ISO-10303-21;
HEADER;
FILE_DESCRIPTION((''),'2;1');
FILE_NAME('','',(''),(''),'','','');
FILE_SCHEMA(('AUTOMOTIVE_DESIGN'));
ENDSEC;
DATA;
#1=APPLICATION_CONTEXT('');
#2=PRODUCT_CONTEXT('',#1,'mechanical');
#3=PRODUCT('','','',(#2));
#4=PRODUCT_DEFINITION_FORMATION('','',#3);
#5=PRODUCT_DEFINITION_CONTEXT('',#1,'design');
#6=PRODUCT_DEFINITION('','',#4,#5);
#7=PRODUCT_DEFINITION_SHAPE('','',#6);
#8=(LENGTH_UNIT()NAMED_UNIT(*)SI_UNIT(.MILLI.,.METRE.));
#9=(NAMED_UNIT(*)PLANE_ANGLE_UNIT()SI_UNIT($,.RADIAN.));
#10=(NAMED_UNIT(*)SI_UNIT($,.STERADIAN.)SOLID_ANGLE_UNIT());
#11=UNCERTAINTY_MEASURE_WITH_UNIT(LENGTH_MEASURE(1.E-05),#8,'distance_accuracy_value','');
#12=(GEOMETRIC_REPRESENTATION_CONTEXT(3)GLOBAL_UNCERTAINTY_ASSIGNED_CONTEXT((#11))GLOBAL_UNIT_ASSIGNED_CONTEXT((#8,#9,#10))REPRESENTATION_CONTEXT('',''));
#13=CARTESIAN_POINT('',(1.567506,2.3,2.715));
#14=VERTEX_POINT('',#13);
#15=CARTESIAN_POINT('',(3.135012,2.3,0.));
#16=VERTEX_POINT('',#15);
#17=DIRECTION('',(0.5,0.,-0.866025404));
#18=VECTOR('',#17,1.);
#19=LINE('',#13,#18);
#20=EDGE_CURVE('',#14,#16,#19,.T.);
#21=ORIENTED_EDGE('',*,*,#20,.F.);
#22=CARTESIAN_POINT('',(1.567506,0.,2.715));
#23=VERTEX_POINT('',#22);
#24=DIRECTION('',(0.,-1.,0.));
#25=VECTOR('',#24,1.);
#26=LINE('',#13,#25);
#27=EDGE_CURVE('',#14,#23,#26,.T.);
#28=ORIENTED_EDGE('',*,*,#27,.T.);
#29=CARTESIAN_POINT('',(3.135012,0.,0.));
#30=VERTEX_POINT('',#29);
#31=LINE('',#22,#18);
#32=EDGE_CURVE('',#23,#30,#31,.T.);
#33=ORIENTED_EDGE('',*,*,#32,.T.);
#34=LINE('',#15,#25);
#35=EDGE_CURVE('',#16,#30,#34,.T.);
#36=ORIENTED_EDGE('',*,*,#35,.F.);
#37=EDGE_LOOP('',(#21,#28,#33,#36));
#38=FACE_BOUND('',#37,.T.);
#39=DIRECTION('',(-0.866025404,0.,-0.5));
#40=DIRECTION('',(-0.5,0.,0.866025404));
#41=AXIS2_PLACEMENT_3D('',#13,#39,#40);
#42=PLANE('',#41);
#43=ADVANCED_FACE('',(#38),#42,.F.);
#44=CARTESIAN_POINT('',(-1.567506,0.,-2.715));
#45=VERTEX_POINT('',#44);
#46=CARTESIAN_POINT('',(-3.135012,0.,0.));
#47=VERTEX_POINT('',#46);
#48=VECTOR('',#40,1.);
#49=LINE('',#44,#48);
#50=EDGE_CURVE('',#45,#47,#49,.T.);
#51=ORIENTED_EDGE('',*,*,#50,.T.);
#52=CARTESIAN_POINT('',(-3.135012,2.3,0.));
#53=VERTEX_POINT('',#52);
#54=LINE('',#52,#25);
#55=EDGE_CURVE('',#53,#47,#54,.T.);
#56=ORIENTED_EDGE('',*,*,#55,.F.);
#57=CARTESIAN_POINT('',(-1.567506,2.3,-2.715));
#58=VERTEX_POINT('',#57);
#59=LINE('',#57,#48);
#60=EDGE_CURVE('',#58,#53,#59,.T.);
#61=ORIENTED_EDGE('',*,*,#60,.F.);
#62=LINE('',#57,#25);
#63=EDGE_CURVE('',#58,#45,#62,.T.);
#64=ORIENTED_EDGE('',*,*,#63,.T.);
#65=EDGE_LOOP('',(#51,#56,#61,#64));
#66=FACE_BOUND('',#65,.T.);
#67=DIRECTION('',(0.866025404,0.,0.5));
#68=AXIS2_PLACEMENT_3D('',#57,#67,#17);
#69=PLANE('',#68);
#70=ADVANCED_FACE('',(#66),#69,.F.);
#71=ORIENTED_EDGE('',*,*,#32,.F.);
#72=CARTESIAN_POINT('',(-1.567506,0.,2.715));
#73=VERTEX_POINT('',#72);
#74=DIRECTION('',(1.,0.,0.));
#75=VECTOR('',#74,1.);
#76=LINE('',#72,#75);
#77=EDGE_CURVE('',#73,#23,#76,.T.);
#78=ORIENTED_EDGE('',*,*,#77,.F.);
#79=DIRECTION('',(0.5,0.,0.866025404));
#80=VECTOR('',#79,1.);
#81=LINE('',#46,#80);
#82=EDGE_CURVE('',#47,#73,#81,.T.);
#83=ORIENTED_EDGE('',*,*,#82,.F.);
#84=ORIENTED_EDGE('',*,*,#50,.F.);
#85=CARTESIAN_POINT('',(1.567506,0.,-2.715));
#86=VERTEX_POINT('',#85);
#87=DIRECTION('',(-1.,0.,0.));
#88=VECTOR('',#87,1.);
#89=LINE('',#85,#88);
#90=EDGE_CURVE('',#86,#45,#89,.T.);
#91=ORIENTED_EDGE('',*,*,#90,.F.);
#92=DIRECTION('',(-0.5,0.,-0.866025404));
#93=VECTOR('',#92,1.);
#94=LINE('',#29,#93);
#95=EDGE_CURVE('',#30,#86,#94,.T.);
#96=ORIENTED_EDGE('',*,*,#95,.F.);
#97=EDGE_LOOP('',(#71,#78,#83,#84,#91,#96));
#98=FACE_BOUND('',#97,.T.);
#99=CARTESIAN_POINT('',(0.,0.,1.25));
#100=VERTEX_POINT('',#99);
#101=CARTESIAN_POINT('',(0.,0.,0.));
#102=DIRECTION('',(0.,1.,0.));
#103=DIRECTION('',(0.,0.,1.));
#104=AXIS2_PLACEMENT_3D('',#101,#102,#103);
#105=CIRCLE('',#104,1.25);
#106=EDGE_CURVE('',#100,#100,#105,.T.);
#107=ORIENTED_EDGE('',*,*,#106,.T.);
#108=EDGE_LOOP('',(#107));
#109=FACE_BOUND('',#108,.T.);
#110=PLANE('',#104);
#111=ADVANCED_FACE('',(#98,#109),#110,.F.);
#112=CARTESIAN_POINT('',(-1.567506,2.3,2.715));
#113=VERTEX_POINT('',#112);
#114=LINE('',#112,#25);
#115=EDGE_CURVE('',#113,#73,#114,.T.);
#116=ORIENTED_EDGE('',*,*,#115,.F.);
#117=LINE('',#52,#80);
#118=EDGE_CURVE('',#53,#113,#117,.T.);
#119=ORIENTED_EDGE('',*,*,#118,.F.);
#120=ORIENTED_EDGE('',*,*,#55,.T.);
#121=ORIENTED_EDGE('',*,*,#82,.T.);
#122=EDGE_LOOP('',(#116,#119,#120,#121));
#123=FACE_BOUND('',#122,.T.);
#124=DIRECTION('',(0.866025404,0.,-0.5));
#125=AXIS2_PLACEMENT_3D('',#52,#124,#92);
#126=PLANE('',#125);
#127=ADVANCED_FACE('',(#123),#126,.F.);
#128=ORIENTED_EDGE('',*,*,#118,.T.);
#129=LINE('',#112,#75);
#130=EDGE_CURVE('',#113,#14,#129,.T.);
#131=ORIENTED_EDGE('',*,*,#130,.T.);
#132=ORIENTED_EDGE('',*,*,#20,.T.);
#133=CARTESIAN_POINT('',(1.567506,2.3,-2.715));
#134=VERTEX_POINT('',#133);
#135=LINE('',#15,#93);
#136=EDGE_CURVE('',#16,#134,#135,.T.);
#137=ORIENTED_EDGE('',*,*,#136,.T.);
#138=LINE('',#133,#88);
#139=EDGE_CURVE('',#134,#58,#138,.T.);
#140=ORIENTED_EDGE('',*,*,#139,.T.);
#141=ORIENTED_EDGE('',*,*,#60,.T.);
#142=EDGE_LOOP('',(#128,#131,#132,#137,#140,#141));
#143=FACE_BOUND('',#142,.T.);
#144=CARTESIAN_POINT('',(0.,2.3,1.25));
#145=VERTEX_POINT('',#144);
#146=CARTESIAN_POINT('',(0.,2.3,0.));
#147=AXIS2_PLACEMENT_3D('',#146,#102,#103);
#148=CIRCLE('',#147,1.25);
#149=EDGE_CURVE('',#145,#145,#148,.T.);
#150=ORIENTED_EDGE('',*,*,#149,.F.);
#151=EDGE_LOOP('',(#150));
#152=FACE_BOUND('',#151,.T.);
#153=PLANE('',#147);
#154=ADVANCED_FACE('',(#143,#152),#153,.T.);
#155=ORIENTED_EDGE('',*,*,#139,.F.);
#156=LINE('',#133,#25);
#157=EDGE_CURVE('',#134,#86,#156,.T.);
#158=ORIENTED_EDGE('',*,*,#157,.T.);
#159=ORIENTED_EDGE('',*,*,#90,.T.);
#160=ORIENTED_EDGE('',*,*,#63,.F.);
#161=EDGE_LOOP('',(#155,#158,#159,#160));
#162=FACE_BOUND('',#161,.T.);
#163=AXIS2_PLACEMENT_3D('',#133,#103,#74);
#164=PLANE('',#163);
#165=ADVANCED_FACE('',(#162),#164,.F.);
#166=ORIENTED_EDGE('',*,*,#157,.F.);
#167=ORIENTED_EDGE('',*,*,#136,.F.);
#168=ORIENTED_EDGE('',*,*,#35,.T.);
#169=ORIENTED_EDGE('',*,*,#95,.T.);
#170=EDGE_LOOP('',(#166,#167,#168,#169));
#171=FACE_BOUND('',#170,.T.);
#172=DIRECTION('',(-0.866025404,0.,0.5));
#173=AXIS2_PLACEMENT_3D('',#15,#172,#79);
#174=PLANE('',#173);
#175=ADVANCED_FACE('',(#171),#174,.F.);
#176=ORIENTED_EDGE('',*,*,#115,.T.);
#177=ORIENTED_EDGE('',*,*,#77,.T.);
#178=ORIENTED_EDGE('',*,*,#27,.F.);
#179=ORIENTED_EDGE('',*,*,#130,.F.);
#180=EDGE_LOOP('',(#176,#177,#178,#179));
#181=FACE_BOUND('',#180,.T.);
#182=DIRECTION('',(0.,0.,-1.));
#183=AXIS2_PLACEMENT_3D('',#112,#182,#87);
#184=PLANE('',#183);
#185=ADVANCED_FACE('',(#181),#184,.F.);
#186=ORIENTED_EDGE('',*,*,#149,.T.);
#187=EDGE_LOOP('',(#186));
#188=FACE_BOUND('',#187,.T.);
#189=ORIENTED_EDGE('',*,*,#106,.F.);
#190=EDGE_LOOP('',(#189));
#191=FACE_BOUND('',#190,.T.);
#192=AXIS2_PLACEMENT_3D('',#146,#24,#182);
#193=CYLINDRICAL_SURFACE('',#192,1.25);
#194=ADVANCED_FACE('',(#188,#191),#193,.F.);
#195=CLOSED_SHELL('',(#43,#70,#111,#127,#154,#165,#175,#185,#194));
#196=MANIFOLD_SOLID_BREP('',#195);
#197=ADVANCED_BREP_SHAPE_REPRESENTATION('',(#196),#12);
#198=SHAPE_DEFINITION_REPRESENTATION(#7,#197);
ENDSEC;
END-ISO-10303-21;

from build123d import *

# Parameters (mm, degrees)
SKETCH1_R           = 1.25
BOSS_EXTRUDE1_DEPTH = 2.3


with BuildPart() as part:
    # Sketch1 → Boss-Extrude1 (new body)
    with BuildSketch(Plane(origin=(0, 0, 0), x_dir=(1, 0, 0), z_dir=(0, 1, 0))):
        Polygon((3.135011962, 0), (1.567505981, 2.715), (-1.567505981, 2.715), (-3.135011962, 0), (-1.567505981, -2.715), (1.567505981, -2.715), align=None)
        Circle(SKETCH1_R, mode=Mode.SUBTRACT)
    extrude(amount=BOSS_EXTRUDE1_DEPTH)


solid = part.part
